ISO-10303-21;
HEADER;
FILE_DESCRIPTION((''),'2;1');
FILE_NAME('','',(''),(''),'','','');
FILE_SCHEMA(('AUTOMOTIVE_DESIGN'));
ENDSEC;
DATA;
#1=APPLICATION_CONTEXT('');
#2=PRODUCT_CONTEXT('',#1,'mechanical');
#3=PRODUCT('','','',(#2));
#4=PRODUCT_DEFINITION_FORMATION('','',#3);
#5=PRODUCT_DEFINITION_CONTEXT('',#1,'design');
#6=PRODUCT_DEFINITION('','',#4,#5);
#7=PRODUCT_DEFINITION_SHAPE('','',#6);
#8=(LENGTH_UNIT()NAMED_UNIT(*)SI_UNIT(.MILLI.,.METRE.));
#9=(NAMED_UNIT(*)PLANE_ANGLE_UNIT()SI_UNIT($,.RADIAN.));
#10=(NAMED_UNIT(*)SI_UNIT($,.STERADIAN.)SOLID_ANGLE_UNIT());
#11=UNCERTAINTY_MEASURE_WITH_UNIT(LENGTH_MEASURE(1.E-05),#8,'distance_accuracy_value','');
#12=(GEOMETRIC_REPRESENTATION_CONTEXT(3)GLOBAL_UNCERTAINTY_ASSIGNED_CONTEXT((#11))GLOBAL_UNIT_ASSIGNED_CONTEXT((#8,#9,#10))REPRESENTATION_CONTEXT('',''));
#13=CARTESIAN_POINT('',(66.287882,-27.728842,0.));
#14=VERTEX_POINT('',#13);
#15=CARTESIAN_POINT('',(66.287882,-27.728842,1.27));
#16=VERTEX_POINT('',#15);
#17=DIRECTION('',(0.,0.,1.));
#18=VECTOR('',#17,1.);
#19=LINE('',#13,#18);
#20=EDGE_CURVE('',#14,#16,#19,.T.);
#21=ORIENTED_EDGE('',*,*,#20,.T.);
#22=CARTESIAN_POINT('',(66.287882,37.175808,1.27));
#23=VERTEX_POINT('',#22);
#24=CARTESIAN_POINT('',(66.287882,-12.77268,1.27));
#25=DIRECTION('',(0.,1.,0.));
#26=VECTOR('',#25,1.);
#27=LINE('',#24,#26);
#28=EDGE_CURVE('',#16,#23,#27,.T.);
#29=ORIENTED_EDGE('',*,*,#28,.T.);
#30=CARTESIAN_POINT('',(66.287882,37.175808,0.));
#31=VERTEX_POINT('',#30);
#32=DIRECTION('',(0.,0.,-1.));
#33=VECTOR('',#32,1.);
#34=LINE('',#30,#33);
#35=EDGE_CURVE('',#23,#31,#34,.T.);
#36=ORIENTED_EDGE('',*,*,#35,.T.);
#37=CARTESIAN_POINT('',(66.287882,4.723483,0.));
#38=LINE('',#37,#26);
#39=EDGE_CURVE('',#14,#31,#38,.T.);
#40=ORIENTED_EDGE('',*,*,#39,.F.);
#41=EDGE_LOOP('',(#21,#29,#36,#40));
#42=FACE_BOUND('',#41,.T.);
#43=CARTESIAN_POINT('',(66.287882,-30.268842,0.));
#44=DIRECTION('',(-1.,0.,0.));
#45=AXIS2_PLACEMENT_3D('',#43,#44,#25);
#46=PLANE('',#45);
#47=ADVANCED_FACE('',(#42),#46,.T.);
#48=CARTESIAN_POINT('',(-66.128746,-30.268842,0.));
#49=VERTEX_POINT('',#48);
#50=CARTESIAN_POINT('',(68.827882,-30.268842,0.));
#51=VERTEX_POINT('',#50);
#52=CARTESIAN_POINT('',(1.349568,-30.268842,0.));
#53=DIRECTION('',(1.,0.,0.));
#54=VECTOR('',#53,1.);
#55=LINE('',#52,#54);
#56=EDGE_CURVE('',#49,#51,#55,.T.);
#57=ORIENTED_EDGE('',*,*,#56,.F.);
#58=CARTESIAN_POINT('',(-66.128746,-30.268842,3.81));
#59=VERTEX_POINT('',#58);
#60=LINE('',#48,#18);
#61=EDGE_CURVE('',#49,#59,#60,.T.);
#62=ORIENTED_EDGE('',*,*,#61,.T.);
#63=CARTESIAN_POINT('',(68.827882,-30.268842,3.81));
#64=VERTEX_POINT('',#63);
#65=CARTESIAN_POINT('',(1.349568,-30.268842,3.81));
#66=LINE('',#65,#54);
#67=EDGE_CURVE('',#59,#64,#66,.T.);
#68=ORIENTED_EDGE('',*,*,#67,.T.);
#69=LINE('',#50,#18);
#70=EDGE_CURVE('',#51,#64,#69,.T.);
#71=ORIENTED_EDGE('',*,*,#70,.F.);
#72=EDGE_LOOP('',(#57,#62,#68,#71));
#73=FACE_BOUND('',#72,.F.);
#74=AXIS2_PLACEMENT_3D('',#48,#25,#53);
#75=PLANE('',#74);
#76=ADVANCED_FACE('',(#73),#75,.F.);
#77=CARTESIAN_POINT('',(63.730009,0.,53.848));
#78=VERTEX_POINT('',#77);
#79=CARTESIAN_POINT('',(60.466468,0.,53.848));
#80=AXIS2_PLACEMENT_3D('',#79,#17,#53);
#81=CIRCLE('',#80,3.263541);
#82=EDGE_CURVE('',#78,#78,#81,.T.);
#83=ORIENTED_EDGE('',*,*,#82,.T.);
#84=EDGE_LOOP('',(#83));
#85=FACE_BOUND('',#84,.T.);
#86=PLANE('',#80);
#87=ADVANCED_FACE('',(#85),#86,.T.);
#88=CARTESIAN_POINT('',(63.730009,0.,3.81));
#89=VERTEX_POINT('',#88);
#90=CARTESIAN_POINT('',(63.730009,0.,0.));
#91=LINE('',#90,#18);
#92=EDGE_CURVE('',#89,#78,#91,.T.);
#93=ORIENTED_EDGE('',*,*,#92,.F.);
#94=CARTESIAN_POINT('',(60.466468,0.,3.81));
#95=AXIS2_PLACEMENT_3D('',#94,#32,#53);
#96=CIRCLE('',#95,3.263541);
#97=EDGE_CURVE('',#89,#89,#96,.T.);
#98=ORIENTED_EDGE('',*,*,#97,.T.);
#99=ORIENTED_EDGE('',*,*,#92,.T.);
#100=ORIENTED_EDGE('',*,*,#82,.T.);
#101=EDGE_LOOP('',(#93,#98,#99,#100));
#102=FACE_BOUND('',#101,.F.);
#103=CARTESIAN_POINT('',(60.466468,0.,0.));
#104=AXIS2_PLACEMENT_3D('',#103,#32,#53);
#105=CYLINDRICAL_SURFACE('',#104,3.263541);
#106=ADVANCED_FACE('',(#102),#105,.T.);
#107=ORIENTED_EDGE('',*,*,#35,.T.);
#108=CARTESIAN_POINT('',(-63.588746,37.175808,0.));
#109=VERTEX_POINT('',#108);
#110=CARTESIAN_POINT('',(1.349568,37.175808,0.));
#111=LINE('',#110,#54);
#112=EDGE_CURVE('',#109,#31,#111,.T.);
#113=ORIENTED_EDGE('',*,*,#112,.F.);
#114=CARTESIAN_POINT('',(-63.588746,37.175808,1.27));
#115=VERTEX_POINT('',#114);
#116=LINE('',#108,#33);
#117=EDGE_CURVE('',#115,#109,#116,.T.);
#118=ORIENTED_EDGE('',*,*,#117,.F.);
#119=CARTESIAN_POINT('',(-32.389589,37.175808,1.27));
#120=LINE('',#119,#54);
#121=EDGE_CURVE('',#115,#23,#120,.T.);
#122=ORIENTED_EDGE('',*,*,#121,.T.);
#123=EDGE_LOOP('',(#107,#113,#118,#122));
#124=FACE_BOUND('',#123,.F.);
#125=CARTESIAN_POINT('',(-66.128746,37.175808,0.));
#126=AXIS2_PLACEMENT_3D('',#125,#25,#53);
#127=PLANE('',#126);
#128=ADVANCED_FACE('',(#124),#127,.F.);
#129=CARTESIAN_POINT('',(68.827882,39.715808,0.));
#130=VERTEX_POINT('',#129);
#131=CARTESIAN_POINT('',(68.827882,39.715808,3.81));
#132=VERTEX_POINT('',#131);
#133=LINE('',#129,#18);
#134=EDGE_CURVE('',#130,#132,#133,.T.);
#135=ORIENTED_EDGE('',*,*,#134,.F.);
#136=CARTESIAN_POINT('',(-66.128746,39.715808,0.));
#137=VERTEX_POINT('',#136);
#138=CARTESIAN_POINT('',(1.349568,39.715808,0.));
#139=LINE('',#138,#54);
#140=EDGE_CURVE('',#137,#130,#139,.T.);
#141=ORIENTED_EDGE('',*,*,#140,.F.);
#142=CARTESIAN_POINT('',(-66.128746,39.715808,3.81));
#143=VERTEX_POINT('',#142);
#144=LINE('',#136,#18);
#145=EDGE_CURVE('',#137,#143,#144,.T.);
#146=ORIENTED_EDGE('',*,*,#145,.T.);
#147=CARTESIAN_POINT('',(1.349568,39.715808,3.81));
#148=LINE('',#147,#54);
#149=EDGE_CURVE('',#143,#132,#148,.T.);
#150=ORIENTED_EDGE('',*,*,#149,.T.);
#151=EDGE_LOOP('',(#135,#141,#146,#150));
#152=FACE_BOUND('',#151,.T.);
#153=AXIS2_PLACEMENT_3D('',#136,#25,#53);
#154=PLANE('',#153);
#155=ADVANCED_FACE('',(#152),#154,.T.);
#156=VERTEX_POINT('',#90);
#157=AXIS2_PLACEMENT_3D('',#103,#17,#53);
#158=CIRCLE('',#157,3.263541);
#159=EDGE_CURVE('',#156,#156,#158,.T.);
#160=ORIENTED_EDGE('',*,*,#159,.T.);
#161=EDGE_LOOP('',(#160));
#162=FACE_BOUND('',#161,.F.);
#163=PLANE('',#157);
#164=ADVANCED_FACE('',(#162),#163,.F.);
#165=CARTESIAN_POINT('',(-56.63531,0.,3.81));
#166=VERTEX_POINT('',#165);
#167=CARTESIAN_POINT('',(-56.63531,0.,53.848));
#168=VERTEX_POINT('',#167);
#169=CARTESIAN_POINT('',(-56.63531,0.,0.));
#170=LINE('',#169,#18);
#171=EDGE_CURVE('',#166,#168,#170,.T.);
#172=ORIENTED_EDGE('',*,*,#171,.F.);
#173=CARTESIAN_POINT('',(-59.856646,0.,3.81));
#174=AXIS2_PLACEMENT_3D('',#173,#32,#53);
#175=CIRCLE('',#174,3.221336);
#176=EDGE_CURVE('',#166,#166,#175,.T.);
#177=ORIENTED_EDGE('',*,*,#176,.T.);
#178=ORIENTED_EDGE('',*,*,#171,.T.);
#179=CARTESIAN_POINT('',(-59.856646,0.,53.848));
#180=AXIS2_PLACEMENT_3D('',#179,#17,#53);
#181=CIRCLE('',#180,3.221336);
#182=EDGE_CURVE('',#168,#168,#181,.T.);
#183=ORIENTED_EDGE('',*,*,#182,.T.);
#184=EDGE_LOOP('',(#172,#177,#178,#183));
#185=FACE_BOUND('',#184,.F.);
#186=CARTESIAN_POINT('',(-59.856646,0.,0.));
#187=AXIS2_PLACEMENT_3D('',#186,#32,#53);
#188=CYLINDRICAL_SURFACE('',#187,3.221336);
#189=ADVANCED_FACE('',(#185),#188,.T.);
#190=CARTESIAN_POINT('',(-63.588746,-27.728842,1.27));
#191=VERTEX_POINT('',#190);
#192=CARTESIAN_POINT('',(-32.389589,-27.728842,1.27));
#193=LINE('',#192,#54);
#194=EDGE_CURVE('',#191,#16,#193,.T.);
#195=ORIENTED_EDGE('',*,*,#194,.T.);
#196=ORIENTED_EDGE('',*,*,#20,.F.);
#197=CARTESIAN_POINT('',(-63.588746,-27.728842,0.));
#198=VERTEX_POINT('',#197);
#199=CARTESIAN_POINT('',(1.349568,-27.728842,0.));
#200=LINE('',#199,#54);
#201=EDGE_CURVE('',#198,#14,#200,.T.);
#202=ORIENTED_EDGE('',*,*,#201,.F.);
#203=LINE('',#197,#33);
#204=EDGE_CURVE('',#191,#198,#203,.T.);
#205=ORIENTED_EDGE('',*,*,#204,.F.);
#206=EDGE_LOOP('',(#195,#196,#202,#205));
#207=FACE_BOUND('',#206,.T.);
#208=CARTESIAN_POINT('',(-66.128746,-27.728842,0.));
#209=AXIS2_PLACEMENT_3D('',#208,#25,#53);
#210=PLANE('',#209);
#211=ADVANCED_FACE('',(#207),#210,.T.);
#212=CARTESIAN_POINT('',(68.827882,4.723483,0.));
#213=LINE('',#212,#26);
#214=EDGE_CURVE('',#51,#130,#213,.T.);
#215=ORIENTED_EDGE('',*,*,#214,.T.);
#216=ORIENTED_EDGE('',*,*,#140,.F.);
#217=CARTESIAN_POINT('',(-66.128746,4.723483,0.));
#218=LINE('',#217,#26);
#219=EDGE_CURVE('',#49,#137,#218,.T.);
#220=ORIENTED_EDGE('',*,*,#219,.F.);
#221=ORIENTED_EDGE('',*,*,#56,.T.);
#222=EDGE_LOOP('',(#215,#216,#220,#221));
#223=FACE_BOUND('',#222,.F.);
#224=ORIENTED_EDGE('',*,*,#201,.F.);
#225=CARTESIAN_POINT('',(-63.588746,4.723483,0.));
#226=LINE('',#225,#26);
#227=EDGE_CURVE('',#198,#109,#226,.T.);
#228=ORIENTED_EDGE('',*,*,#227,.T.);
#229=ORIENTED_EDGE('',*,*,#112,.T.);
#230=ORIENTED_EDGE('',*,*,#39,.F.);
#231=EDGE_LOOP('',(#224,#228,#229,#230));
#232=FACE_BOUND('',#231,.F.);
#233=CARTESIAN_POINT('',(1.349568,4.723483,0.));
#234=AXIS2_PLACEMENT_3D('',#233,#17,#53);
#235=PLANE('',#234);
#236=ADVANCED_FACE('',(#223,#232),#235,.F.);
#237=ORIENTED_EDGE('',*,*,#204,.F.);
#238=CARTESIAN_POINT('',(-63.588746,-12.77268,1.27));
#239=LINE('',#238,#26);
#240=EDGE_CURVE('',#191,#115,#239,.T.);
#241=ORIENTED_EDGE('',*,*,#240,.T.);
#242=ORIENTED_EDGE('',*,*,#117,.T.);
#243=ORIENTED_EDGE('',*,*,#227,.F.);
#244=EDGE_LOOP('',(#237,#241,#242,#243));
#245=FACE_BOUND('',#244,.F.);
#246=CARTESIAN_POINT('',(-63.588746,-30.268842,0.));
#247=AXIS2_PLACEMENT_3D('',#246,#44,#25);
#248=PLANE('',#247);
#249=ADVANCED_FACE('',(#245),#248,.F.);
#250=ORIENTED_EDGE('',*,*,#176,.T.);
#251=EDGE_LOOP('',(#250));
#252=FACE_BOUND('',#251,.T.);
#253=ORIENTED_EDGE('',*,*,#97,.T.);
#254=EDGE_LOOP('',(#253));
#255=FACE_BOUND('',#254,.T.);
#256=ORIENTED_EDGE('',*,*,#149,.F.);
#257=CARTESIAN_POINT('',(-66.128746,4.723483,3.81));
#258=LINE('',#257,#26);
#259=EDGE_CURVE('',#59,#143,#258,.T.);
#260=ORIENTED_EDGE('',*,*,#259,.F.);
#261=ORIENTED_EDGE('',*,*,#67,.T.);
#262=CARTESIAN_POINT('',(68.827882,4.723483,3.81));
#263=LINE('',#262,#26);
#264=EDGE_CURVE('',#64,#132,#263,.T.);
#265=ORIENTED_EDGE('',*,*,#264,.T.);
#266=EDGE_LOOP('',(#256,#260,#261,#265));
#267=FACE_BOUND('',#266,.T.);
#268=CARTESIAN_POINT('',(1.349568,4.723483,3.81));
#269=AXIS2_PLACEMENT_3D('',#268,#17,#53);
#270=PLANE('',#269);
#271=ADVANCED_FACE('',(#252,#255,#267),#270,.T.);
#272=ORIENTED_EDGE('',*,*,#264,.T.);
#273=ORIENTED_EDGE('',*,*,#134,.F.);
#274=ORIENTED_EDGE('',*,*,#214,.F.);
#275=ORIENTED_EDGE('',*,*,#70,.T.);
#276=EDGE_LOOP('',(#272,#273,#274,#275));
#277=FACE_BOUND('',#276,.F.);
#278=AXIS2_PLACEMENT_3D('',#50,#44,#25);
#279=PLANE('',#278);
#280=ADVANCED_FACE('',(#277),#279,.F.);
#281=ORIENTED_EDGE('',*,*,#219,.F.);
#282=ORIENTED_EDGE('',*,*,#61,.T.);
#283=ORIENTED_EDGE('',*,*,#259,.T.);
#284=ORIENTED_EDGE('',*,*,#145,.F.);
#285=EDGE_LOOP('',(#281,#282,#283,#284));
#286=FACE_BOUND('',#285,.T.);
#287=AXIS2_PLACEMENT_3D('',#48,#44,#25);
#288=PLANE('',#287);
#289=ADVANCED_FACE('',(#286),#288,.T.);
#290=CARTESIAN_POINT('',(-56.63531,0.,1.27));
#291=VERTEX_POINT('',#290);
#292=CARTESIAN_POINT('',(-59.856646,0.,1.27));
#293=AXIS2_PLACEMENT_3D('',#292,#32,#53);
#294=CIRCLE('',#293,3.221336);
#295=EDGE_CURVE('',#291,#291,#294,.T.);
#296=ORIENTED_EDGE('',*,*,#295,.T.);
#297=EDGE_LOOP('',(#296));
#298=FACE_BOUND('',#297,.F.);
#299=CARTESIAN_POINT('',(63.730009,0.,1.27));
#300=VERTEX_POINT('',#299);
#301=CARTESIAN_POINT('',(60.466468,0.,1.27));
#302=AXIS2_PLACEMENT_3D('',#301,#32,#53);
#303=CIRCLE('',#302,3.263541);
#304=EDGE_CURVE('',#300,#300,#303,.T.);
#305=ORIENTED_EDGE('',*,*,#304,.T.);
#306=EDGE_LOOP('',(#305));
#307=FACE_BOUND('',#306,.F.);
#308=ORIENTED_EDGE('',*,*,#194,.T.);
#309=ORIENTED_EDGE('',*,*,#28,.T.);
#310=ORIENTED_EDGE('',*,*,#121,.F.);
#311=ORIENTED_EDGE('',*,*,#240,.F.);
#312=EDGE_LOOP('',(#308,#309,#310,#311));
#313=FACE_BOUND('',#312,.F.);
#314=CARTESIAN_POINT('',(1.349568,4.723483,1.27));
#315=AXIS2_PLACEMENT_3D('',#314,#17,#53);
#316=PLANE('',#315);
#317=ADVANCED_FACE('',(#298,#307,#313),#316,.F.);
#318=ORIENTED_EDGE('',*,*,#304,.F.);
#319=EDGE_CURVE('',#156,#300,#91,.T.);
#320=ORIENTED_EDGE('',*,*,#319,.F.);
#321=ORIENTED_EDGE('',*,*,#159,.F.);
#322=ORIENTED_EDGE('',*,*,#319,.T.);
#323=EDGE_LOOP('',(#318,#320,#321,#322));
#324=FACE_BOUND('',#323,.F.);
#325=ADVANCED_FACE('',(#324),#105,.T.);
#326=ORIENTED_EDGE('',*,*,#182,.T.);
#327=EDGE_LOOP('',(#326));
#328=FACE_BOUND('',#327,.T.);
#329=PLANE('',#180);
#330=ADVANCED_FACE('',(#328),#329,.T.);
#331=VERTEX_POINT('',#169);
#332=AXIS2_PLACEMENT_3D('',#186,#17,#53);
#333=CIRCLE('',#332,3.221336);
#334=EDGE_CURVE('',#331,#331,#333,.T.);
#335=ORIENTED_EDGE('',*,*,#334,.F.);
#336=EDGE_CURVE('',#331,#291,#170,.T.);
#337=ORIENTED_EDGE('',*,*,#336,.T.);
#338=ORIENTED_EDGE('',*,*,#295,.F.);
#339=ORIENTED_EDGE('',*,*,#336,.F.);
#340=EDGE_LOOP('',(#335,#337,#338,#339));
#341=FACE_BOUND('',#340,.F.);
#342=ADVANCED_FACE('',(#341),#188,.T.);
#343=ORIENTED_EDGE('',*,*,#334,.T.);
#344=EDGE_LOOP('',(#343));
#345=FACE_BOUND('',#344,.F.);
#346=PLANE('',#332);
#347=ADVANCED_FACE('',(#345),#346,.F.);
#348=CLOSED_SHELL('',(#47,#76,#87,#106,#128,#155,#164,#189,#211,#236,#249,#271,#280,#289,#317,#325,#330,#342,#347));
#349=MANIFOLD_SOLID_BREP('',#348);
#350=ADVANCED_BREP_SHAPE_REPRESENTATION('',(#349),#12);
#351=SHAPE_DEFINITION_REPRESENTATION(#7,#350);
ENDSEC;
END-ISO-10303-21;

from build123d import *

# Parameters (mm, degrees)
F0_W     = 134.956628
F0_H     = 69.98465
F1_DEPTH = 3.81
F2_T     = -2.54
F3_R     = 3.221336
F3_R_2   = 3.263541
F4_DEPTH = 53.848


with BuildPart() as f1:
    # F0 (on Top) → F1 (new body)
    with BuildSketch(Plane.XY):
        with Locations((1.349568, 4.723483)):
            Rectangle(F0_W, F0_H)
    extrude(amount=F1_DEPTH)

    # F2
    f2_openings = [f1.faces().sort_by_distance(p)[0] for p in [
        (1.349568, 4.723483, 0),
    ]]
    offset(amount=F2_T, openings=f2_openings)

    # F3 (on Top) → F4 (join)
    with BuildSketch(Plane.XY):
        with Locations((-59.856646, 0)):
            Circle(F3_R)
        with Locations((60.466468, 0)):
            Circle(F3_R_2)
    extrude(amount=F4_DEPTH)


solid = f1.part
